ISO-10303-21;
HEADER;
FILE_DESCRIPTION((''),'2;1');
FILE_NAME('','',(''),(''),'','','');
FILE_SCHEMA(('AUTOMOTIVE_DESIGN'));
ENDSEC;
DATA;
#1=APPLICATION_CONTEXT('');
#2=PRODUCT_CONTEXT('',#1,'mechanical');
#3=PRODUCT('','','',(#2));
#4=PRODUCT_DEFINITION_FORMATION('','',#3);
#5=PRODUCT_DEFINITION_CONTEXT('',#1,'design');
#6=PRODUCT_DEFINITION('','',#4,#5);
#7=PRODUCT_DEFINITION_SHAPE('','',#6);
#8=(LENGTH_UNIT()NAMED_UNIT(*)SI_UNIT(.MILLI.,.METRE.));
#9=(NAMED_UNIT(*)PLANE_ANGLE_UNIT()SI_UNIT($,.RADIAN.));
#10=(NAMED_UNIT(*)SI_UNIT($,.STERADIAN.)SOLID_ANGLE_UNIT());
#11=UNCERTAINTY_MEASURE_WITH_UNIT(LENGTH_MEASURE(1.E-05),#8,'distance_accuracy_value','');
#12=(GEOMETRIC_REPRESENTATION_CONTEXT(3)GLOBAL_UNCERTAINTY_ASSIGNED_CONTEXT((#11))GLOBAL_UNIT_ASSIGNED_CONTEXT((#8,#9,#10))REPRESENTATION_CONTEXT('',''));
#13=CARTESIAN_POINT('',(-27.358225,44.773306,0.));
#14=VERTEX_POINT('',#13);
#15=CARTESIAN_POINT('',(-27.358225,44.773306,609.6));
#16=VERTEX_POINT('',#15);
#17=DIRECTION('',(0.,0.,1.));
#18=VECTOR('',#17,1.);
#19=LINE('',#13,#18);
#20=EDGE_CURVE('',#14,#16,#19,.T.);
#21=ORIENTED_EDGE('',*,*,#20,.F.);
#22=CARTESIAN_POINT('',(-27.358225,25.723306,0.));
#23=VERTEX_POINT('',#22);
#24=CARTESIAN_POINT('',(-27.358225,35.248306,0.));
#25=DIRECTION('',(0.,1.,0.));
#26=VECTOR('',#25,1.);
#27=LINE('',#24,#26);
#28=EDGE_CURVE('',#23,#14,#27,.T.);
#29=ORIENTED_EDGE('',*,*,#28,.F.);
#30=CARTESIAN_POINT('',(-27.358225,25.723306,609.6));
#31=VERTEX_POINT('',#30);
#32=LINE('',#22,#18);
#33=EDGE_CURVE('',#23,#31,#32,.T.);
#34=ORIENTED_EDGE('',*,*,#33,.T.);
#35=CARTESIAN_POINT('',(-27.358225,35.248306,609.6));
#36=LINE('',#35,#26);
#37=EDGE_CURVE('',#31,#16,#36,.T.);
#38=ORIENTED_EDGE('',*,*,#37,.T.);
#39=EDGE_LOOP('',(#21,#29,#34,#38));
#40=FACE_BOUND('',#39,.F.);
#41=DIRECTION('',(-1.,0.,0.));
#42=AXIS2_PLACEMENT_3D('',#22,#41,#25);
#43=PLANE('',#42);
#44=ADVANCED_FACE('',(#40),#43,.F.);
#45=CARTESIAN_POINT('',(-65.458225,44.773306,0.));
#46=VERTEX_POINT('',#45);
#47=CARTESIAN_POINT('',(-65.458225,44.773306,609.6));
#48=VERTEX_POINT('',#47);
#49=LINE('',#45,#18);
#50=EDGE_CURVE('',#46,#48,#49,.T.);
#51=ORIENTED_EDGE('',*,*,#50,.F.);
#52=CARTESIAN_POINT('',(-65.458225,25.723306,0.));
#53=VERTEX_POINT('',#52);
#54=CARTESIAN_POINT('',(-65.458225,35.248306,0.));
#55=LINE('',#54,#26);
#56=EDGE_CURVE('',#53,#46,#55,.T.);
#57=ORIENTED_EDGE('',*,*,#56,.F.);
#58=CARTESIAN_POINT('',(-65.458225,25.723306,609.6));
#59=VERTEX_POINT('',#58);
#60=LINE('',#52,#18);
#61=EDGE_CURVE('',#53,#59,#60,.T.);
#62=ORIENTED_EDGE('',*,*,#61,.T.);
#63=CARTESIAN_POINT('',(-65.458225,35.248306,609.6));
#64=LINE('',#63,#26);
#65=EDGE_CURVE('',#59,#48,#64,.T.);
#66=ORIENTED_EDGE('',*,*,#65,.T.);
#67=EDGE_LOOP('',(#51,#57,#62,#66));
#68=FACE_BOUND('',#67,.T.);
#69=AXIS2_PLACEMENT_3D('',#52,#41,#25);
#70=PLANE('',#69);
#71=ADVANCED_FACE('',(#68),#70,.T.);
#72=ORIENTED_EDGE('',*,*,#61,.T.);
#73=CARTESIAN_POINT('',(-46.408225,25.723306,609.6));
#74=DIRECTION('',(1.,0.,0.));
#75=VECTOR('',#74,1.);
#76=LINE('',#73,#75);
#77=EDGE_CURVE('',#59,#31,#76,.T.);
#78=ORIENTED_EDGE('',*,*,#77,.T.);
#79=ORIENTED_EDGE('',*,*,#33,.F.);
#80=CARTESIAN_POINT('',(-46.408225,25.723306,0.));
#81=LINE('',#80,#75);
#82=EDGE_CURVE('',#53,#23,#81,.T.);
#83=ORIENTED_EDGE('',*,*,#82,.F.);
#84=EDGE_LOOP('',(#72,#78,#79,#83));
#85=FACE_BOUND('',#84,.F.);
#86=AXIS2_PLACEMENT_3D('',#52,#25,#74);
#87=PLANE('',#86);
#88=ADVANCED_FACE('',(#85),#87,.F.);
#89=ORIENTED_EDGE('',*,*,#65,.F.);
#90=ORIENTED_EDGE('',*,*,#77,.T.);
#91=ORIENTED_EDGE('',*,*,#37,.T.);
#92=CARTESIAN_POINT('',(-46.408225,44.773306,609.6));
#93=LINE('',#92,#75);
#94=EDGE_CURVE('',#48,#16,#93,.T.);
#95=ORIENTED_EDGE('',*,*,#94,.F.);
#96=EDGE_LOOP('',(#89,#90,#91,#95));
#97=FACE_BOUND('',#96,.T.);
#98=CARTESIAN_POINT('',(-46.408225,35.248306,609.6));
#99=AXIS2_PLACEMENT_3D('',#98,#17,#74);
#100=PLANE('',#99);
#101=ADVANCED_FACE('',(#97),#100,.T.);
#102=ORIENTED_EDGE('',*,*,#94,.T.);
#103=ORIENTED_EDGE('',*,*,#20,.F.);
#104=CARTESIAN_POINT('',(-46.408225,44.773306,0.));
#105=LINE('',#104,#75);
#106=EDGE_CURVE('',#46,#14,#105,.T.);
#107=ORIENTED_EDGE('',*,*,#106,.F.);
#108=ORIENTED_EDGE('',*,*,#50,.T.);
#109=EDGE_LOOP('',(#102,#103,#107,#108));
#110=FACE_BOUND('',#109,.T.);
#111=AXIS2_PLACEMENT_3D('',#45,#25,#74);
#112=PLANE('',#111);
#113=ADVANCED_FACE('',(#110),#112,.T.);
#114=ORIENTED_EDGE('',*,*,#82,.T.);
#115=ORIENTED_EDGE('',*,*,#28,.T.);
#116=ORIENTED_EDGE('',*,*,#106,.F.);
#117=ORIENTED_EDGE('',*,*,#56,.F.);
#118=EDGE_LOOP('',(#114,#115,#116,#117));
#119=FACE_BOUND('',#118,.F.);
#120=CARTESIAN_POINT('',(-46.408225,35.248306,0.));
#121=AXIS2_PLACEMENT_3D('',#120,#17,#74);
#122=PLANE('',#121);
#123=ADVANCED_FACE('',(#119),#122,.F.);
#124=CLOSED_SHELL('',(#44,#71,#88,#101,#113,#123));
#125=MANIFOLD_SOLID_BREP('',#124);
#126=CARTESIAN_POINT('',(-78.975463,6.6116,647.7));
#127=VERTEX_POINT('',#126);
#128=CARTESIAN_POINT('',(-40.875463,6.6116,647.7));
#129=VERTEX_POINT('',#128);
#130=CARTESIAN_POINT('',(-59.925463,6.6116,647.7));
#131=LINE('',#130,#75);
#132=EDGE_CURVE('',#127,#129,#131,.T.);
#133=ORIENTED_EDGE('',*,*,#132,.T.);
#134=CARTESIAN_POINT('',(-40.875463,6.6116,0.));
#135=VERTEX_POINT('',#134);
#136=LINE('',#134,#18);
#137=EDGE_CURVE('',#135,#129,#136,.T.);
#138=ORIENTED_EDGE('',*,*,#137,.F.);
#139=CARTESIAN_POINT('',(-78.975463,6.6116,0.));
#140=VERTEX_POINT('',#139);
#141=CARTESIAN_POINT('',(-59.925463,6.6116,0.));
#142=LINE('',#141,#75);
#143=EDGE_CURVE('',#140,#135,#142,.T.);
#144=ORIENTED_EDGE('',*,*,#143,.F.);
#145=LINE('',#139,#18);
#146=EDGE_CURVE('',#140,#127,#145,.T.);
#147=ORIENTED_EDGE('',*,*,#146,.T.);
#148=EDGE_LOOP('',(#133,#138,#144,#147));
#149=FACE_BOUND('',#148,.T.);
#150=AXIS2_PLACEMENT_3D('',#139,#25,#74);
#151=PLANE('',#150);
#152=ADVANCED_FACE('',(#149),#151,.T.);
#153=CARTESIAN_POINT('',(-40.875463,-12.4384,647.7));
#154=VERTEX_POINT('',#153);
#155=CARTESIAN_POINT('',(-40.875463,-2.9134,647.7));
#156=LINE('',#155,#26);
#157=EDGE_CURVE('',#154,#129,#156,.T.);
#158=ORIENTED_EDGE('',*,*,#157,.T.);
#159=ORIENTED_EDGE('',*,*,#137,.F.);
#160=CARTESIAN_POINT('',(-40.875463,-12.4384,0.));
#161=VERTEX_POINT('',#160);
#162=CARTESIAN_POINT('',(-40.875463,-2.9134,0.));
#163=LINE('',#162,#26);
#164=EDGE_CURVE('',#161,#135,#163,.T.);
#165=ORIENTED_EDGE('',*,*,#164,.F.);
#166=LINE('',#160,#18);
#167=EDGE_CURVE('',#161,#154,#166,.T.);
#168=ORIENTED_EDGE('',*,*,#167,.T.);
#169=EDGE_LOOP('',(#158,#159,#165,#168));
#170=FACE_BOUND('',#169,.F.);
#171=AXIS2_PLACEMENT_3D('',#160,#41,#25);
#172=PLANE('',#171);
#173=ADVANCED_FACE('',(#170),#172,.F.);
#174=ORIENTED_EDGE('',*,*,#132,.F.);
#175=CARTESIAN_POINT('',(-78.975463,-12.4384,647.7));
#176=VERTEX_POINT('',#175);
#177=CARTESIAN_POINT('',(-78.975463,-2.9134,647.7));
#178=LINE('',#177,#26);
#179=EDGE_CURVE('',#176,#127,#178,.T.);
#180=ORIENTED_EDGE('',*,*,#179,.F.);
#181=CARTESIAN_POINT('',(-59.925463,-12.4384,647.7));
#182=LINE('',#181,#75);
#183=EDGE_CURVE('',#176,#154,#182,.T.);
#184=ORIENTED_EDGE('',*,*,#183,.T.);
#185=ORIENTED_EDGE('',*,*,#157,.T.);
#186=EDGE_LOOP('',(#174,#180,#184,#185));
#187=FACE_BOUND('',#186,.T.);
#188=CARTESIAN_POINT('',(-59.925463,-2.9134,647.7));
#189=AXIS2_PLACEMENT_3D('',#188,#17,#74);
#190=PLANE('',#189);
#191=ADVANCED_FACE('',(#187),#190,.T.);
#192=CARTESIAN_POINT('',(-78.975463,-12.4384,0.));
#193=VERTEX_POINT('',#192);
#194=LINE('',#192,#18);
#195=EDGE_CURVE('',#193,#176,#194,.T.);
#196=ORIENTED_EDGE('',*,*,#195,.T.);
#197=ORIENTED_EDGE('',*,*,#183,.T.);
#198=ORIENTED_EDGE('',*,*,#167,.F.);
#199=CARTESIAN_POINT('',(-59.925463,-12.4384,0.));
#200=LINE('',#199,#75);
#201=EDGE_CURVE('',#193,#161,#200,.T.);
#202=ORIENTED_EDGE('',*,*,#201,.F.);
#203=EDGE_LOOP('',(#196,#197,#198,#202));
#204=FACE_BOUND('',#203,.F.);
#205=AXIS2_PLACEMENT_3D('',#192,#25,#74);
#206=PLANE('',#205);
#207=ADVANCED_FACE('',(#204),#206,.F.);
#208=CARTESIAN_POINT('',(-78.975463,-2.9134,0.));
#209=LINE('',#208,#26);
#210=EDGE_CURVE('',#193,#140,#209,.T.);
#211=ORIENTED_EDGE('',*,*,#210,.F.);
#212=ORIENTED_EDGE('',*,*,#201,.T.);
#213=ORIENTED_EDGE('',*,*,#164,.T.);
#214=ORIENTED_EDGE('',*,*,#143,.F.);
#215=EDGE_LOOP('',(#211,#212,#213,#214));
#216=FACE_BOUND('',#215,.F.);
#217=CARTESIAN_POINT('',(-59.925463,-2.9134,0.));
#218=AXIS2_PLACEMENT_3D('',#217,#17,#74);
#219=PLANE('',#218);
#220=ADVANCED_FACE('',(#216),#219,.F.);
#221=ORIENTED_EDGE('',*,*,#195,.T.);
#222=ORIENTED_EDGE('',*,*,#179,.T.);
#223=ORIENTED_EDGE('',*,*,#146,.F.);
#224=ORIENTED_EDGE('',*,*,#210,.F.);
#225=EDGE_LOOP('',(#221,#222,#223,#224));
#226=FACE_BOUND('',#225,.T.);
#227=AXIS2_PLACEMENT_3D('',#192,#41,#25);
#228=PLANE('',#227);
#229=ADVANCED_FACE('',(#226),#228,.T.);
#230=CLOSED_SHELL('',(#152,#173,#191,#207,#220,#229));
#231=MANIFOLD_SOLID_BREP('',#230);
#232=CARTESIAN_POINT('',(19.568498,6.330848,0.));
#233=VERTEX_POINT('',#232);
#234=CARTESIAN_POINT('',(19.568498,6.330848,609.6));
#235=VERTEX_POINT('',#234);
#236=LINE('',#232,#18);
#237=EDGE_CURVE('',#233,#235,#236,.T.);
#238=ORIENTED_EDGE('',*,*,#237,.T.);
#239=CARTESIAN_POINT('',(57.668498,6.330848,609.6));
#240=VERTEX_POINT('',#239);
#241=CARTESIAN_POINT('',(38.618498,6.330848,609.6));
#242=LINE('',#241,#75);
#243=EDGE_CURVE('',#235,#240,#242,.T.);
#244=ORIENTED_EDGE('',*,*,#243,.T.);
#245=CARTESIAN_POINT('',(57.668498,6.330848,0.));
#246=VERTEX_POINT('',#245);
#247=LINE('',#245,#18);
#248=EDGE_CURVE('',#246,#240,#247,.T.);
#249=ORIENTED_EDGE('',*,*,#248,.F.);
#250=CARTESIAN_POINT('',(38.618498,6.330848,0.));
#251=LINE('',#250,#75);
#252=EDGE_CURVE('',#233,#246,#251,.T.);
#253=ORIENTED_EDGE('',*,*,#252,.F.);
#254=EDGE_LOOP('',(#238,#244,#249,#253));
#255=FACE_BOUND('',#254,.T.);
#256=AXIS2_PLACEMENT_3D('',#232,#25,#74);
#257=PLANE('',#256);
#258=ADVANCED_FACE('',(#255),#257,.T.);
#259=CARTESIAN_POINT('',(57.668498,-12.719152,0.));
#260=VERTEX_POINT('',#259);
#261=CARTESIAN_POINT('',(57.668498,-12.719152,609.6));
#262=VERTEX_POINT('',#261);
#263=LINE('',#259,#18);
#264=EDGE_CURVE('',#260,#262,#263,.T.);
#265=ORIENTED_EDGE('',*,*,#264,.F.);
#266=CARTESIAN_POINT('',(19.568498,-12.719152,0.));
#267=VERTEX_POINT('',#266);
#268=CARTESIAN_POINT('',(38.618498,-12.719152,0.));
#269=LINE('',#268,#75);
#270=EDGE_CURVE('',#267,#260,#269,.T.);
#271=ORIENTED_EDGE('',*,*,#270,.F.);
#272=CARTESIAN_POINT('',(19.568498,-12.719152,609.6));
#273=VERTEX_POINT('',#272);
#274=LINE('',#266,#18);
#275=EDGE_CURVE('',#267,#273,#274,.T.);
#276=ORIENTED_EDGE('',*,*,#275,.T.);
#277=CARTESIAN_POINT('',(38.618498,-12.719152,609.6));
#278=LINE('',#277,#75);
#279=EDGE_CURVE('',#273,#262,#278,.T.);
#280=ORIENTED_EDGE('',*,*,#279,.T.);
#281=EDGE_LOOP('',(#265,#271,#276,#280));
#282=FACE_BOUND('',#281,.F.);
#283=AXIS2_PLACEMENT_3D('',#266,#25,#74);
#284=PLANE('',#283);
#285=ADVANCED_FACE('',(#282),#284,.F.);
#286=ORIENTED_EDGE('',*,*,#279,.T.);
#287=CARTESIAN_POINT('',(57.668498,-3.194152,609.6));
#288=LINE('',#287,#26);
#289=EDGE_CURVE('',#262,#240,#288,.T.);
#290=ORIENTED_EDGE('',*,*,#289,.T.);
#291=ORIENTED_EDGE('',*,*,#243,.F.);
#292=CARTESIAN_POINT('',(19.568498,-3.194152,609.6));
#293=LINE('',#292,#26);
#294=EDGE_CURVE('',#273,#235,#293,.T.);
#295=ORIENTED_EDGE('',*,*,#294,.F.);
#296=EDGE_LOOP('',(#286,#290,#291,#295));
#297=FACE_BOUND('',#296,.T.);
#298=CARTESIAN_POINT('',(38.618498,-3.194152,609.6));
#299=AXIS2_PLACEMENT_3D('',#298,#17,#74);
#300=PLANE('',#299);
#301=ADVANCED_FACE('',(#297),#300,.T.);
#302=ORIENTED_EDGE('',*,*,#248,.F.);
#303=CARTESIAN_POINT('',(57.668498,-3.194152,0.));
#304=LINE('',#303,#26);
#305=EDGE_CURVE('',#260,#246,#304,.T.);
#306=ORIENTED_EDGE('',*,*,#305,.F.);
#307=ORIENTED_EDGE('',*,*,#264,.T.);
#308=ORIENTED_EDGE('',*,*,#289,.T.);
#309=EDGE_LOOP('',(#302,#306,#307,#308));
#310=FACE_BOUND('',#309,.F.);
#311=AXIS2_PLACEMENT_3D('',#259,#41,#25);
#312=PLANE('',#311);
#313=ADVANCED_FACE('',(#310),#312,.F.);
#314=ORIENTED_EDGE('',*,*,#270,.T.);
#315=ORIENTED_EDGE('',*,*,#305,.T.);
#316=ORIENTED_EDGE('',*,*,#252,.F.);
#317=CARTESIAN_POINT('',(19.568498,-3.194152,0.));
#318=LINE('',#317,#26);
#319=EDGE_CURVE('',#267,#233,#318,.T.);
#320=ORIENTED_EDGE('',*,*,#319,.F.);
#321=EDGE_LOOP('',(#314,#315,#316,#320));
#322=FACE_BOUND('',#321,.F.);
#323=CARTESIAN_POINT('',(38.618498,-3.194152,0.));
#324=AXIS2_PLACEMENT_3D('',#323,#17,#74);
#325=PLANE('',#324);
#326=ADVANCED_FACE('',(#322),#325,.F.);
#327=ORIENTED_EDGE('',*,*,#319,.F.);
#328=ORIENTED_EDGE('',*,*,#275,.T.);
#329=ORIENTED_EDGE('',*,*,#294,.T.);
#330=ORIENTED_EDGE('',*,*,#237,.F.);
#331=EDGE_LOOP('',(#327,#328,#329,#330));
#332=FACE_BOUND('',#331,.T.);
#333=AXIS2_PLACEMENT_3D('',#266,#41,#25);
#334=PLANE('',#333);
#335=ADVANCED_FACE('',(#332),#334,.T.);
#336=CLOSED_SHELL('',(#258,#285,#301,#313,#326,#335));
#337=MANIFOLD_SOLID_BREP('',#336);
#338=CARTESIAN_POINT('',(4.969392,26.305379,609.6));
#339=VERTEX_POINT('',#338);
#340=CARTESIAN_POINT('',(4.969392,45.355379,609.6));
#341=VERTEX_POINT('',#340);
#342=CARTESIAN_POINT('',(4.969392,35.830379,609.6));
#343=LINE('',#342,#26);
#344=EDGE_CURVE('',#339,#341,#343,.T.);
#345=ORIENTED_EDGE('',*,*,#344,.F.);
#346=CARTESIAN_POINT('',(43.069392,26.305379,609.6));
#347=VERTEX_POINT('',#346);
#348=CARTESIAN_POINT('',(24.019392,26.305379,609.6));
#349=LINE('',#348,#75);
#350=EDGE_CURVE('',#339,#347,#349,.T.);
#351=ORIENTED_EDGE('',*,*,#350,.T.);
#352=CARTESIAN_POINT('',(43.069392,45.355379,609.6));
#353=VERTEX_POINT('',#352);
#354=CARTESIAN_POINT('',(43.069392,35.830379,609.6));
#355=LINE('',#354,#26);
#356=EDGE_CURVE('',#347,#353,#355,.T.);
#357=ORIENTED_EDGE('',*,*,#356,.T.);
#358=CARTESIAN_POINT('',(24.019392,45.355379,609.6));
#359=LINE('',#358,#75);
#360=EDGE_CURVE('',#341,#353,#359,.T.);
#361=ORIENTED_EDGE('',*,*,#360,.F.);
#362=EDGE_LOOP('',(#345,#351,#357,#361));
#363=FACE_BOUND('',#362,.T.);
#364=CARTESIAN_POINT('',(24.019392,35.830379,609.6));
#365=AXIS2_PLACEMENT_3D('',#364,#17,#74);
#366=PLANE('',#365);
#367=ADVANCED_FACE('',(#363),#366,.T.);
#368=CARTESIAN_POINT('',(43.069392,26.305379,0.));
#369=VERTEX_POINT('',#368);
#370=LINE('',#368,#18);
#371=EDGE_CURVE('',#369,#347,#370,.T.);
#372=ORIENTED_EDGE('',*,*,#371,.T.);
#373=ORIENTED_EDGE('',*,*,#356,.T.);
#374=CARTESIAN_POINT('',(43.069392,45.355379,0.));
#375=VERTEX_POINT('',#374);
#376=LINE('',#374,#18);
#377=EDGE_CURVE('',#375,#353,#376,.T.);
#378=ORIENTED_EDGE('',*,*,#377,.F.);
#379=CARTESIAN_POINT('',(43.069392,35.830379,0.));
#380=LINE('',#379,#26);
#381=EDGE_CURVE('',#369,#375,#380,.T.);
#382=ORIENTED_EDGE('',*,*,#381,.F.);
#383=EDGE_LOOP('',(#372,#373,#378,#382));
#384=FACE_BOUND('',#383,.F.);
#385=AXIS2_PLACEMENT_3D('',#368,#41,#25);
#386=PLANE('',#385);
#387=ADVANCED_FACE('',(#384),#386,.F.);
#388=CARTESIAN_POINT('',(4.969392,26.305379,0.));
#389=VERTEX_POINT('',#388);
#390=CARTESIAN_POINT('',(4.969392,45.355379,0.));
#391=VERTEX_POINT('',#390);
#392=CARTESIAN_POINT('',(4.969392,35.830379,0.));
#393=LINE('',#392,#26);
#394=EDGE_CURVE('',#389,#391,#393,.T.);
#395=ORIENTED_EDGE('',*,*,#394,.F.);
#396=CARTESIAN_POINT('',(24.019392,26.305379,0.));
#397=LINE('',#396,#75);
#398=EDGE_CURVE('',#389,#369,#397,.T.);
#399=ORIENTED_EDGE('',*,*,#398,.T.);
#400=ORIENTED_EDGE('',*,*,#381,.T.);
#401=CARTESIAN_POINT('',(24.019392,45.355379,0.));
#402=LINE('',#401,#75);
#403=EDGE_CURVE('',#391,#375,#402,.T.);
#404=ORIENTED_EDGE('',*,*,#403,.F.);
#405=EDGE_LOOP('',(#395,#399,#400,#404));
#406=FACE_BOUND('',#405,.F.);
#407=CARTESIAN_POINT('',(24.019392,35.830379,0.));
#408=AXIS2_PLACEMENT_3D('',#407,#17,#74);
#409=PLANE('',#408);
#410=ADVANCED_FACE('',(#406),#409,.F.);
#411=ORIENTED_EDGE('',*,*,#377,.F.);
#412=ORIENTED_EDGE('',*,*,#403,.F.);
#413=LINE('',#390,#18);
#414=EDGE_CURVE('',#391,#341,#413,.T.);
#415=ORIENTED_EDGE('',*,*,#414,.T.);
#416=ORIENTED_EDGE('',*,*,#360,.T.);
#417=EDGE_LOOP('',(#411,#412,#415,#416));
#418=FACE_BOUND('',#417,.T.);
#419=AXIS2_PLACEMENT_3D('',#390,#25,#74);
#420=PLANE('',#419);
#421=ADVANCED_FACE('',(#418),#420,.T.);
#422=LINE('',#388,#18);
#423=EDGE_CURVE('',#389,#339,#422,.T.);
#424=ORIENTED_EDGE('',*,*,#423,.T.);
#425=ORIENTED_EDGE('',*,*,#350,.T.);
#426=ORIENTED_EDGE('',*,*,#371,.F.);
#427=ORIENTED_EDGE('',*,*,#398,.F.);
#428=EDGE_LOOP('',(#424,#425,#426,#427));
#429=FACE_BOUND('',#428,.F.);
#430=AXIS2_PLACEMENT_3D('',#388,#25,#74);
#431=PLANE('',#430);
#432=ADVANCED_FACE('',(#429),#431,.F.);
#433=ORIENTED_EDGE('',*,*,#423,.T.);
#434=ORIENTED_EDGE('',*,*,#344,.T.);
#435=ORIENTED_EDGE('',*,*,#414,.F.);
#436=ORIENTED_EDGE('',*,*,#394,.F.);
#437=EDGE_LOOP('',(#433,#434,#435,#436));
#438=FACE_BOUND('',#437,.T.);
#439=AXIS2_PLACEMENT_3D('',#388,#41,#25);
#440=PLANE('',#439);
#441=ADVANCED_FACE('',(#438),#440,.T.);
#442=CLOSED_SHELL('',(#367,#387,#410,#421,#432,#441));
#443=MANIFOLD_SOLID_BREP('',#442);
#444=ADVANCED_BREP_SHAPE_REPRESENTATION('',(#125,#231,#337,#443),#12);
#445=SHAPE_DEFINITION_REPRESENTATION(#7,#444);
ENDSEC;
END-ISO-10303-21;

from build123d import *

# Parameters (mm, degrees)
F0_W     = 38.1
F0_H     = 19.05
F1_DEPTH = 609.6
F2_DEPTH = 609.6
F3_DEPTH = 647.7
F4_DEPTH = 609.6


with BuildPart() as f1:
    # F0 (on Top) → F1 (new body)
    with BuildSketch(Plane.XY):
        with Locations((-46.408225, 35.248306)):
            Rectangle(F0_W, F0_H)
    extrude(amount=F1_DEPTH)


with BuildPart() as f2:
    # F0 (on Top) → F2 (new body)
    with BuildSketch(Plane.XY):
        with Locations((24.019392, 35.830379)):
            Rectangle(F0_W, F0_H)
    extrude(amount=F2_DEPTH)


with BuildPart() as f3:
    # F0 (on Top) → F3 (new body)
    with BuildSketch(Plane.XY):
        with Locations((-59.925463, -2.9134)):
            Rectangle(F0_W, F0_H)
    extrude(amount=F3_DEPTH)


with BuildPart() as f4:
    # F0 (on Top) → F4 (new body)
    with BuildSketch(Plane.XY):
        with Locations((38.618498, -3.194152)):
            Rectangle(F0_W, F0_H)
    extrude(amount=F4_DEPTH)


solid = Compound([f1.part, f2.part, f3.part, f4.part])
